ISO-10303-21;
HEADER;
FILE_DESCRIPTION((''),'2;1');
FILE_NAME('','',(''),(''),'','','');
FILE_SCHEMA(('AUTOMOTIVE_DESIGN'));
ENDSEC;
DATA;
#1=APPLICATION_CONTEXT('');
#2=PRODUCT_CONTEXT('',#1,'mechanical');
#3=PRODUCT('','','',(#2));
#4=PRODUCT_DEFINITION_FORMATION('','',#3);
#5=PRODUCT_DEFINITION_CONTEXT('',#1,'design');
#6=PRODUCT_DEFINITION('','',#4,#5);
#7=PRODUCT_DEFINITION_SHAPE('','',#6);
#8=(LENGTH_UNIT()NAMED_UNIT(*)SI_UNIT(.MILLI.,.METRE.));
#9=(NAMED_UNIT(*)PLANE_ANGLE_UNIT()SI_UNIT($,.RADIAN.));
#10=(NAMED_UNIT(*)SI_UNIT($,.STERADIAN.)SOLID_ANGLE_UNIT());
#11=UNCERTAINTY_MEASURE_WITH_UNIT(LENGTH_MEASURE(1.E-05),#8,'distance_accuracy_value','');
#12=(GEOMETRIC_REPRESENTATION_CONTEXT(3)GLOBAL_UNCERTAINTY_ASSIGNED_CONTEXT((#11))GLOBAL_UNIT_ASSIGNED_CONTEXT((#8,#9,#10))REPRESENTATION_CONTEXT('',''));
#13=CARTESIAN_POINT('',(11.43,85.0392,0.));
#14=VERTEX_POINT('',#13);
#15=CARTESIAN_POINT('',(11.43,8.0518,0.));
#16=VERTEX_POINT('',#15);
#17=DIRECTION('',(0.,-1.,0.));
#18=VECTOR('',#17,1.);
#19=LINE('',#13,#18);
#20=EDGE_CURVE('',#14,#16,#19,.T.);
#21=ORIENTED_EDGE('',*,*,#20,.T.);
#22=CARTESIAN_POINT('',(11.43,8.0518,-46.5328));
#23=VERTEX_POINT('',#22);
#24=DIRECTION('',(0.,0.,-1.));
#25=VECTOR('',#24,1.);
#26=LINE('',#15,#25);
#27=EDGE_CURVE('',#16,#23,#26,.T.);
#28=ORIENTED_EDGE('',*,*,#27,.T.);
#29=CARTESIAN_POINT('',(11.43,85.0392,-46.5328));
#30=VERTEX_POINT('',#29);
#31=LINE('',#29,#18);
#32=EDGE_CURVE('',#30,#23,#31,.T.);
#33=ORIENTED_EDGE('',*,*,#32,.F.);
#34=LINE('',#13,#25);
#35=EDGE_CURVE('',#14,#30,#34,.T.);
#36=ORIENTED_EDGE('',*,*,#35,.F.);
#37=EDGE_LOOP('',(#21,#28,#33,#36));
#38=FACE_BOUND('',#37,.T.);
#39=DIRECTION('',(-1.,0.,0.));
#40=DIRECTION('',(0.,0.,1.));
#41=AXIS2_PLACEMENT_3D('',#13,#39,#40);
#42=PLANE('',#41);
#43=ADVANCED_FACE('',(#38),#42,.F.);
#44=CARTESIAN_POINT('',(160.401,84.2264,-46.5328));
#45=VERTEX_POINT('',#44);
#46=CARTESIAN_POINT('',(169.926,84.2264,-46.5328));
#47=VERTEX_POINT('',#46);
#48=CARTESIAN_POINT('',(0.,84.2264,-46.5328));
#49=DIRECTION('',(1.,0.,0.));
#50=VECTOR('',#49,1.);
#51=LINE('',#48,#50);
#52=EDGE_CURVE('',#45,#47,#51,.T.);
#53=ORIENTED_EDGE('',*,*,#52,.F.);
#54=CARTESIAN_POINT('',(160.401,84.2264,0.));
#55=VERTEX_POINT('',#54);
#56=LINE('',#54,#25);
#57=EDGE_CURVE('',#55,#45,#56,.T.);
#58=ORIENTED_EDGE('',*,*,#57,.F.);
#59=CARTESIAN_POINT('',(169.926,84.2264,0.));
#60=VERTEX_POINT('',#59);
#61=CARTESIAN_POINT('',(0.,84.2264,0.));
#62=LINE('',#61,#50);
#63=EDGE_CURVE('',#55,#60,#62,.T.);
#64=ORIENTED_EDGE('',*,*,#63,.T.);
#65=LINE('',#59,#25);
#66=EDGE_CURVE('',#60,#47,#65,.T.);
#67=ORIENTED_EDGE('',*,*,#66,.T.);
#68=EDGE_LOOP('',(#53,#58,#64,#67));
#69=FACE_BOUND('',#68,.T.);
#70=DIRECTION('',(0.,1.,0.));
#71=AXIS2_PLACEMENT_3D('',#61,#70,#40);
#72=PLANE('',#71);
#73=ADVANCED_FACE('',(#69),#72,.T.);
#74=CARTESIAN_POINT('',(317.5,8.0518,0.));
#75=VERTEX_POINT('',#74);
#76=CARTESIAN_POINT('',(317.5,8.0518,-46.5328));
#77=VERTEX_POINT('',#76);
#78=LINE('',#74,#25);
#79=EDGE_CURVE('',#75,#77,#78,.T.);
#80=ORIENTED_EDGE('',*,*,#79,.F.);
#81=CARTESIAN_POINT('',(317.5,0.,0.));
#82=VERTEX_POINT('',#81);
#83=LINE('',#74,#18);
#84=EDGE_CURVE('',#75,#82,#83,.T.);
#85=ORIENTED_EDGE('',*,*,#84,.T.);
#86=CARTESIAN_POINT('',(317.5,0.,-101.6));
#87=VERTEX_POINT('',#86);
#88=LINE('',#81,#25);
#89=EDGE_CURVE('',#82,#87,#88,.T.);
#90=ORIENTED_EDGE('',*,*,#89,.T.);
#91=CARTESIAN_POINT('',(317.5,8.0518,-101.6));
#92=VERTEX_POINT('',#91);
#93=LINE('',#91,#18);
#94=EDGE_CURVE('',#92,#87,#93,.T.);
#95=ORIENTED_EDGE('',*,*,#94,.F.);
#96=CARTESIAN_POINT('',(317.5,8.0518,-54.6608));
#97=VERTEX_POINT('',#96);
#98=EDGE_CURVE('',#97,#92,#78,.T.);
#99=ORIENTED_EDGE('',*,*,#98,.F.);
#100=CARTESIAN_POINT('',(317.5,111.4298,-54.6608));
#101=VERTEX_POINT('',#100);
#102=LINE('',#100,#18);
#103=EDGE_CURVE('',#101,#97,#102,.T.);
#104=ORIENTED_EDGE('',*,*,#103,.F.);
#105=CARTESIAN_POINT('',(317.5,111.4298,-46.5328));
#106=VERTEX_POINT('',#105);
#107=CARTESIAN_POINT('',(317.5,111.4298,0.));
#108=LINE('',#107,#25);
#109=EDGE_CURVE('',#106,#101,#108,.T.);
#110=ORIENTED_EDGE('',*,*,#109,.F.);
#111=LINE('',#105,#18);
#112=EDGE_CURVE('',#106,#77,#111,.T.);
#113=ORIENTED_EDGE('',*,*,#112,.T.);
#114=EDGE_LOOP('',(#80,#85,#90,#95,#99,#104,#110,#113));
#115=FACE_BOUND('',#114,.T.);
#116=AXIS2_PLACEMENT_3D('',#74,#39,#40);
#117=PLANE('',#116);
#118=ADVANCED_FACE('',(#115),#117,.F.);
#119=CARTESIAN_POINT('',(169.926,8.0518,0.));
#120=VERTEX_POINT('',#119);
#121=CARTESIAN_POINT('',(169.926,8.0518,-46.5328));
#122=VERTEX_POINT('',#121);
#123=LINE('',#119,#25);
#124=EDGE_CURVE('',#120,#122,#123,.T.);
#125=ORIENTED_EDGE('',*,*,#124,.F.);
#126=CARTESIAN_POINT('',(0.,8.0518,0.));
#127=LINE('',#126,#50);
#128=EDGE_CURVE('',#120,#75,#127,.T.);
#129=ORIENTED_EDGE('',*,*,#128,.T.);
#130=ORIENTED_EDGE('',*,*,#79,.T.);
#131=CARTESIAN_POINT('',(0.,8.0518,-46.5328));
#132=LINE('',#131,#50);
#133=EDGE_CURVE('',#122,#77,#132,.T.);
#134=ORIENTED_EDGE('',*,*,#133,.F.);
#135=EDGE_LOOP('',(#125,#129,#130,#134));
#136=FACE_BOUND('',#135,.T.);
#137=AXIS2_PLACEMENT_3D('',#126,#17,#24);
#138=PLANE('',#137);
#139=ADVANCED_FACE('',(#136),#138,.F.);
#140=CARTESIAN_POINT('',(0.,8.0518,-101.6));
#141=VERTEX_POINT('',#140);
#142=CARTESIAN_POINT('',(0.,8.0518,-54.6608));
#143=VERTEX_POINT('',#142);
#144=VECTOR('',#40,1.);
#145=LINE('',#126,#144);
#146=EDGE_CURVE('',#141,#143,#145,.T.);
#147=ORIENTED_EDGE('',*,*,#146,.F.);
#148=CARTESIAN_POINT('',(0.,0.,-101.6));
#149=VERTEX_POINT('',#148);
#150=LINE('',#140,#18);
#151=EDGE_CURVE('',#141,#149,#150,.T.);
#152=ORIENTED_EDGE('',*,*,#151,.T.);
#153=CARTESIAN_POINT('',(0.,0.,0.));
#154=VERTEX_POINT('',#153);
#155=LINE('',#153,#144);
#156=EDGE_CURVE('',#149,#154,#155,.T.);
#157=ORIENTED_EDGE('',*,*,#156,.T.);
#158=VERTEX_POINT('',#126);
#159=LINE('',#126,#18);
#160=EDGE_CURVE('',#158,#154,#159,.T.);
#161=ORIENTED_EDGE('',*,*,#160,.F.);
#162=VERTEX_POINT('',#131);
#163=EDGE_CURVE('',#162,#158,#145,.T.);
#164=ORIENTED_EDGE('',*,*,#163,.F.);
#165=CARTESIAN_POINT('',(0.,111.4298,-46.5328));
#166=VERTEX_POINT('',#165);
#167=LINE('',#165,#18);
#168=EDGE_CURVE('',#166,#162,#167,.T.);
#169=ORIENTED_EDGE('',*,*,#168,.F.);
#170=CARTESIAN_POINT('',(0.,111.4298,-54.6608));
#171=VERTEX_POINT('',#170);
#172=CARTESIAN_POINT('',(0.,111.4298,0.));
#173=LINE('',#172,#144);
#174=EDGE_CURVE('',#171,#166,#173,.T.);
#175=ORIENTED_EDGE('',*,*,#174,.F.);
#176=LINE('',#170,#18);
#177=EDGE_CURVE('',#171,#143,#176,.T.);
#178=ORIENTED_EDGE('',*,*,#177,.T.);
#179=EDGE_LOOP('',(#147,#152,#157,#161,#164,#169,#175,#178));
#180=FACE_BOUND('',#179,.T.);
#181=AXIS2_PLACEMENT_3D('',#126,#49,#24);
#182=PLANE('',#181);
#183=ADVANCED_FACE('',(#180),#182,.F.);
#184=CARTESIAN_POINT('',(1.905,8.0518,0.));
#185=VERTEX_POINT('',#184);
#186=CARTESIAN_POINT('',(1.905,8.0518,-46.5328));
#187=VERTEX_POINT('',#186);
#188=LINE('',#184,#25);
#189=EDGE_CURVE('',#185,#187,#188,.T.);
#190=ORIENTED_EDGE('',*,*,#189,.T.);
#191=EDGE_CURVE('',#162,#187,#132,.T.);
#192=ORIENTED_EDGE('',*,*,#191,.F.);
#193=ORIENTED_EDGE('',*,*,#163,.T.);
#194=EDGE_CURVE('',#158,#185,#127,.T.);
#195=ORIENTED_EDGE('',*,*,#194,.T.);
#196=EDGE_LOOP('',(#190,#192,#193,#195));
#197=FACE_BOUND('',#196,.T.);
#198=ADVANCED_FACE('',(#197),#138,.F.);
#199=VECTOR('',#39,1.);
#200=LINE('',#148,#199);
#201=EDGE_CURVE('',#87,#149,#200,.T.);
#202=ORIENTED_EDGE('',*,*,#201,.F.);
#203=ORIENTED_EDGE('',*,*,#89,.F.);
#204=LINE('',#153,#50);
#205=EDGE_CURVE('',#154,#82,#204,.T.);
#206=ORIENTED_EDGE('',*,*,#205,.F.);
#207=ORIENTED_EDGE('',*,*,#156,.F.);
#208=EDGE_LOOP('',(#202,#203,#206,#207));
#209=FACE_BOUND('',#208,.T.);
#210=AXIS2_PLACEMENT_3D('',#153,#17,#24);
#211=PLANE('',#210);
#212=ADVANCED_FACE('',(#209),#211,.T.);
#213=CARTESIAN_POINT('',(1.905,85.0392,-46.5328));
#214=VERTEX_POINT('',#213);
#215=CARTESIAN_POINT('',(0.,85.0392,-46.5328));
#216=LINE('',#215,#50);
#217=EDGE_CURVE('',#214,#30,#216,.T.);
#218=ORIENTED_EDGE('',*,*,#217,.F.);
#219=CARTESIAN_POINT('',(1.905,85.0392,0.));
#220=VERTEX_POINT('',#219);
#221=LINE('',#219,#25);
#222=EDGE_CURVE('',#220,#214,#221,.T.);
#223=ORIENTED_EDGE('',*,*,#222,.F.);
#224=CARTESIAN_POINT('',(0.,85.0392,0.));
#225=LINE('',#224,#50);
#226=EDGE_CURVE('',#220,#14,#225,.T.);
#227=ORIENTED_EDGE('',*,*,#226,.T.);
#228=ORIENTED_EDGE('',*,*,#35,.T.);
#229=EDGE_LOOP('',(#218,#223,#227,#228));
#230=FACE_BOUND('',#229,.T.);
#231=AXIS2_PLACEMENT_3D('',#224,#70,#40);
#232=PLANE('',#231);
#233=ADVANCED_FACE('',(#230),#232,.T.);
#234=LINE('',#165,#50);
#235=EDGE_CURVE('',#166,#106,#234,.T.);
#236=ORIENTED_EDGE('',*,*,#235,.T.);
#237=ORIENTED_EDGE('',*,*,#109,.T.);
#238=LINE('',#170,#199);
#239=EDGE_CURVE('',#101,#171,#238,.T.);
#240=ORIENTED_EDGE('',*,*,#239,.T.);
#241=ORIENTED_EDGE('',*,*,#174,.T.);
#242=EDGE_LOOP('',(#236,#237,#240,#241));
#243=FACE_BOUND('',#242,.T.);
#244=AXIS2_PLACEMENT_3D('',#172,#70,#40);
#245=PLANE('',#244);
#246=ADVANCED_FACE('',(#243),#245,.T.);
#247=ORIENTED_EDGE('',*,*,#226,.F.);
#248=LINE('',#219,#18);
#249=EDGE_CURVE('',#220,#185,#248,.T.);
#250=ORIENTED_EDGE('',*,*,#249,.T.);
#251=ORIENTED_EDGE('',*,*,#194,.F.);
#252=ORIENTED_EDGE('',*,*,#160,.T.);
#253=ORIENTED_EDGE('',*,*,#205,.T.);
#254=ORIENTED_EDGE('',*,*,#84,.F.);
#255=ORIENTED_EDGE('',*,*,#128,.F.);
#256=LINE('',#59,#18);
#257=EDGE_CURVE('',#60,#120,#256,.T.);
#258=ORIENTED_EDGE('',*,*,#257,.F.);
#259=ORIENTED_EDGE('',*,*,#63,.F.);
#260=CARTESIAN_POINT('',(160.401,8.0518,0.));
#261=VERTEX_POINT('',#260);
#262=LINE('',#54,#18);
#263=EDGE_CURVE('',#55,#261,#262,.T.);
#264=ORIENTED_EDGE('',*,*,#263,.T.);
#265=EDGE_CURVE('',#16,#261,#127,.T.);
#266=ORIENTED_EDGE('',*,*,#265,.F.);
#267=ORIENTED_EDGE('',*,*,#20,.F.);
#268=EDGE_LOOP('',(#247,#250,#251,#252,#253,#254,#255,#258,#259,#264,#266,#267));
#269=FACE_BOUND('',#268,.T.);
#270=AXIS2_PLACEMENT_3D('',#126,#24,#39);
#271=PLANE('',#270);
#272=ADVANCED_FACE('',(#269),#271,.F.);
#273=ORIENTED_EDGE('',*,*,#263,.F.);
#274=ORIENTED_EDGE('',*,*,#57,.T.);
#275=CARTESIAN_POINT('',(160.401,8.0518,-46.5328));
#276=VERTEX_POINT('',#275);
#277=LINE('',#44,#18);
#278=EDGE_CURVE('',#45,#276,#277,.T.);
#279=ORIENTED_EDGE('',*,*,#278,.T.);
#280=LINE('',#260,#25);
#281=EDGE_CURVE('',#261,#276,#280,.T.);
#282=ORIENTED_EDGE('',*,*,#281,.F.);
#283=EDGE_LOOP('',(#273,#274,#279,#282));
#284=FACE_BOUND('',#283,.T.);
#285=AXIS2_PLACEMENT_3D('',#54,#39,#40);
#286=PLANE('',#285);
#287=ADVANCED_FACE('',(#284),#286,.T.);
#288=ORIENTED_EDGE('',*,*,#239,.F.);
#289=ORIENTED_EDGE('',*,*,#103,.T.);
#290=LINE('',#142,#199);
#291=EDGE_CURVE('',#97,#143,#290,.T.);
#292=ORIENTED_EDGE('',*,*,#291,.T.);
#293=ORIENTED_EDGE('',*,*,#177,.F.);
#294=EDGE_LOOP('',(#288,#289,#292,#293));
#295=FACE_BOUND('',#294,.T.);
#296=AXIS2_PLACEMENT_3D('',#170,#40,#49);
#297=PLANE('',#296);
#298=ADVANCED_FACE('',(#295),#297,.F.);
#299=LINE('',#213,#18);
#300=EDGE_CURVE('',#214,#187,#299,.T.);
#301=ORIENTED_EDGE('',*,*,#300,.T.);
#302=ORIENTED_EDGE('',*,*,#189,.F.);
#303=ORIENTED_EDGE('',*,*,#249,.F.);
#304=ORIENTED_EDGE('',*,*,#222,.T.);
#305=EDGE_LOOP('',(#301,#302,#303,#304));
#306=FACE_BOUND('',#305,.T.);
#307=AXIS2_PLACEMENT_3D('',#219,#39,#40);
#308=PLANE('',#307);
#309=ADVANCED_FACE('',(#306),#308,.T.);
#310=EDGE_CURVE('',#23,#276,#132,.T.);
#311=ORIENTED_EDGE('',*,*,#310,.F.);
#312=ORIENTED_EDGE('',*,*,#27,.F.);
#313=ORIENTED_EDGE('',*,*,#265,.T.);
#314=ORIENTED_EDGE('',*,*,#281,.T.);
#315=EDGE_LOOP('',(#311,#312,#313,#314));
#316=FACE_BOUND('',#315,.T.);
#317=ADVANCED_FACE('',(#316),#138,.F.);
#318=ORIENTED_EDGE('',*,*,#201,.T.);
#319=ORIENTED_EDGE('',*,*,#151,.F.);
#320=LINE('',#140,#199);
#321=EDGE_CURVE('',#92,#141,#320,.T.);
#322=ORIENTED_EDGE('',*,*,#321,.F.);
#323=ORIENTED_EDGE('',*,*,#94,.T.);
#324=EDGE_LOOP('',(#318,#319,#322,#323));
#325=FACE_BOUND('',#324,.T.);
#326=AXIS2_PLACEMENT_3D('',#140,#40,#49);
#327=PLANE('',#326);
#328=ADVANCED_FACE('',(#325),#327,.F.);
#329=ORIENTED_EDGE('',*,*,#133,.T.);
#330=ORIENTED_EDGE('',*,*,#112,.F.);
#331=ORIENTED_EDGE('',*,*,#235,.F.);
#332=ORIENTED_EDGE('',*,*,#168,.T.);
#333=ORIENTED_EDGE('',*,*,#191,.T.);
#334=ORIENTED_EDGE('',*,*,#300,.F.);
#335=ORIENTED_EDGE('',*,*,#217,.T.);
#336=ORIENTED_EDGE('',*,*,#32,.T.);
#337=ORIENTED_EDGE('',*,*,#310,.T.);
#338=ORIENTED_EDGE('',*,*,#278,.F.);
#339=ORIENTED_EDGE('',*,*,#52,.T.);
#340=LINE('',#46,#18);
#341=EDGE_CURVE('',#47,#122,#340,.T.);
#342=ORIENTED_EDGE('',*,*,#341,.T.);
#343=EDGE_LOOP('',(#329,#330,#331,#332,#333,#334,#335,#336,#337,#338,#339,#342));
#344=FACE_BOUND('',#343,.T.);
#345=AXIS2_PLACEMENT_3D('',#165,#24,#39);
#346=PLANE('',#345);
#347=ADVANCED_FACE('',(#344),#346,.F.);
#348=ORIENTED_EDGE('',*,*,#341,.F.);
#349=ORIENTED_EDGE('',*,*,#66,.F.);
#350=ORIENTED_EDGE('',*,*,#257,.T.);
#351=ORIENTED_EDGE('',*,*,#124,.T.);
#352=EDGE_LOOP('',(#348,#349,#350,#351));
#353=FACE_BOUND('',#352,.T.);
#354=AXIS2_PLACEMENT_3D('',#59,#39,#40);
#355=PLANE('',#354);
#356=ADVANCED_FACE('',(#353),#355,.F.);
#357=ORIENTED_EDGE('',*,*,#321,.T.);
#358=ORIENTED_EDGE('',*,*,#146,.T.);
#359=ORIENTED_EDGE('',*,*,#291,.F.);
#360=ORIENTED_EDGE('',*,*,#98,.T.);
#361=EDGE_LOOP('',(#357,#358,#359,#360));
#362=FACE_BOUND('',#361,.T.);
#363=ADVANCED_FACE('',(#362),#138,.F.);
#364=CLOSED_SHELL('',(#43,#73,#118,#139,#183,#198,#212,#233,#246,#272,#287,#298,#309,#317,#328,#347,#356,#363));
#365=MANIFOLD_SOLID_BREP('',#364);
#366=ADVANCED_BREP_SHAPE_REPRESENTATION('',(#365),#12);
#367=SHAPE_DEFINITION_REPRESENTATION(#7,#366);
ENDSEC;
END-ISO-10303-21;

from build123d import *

# Parameters (mm, degrees)
SKETCH1_W           = 317.5
SKETCH1_H           = 101.6
BOSS_EXTRUDE1_DEPTH = 8.0518
BOSS_EXTRUDE2_START = 8.0518
SKETCH2_W           = 317.5
SKETCH2_H           = 8.128
BOSS_EXTRUDE2_DEPTH = 103.378
BOSS_EXTRUDE3_START = 8.0518
SKETCH3_W           = 9.525
SKETCH3_H           = 46.5328
BOSS_EXTRUDE3_DEPTH = 76.9874
BOSS_EXTRUDE4_START = 8.0518
SKETCH3_3_W         = 9.525
SKETCH3_3_H         = 46.5328
BOSS_EXTRUDE4_DEPTH = 76.1746


with BuildPart() as part:
    # Sketch1 → Boss-Extrude1 (new body)
    with BuildSketch(Plane(origin=(0, 0, 0), x_dir=(1, 0, 0), z_dir=(0, 1, 0))):
        with Locations((158.75, 50.8)):
            Rectangle(SKETCH1_W, SKETCH1_H)
    extrude(amount=BOSS_EXTRUDE1_DEPTH)

    # Sketch2 → Boss-Extrude2 (add)
    with BuildSketch(Plane(origin=(0, 0, 0), x_dir=(1, 0, 0), z_dir=(0, 1, 0)).offset(BOSS_EXTRUDE2_START)):
        with Locations((158.75, 50.5968)):
            Rectangle(SKETCH2_W, SKETCH2_H)
    extrude(amount=BOSS_EXTRUDE2_DEPTH)

    # Sketch3 → Boss-Extrude3 (add)
    with BuildSketch(Plane(origin=(0, 0, 0), x_dir=(1, 0, 0), z_dir=(0, 1, 0)).offset(BOSS_EXTRUDE3_START)):
        with Locations((6.6675, 23.2664)):
            Rectangle(SKETCH3_W, SKETCH3_H)
    extrude(amount=BOSS_EXTRUDE3_DEPTH)

    # Sketch3<3> → Boss-Extrude4 (add)
    with BuildSketch(Plane(origin=(0, 0, 0), x_dir=(1, 0, 0), z_dir=(0, 1, 0)).offset(BOSS_EXTRUDE4_START)):
        with Locations((165.1635, 23.2664)):
            Rectangle(SKETCH3_3_W, SKETCH3_3_H)
    extrude(amount=BOSS_EXTRUDE4_DEPTH)


solid = part.part
